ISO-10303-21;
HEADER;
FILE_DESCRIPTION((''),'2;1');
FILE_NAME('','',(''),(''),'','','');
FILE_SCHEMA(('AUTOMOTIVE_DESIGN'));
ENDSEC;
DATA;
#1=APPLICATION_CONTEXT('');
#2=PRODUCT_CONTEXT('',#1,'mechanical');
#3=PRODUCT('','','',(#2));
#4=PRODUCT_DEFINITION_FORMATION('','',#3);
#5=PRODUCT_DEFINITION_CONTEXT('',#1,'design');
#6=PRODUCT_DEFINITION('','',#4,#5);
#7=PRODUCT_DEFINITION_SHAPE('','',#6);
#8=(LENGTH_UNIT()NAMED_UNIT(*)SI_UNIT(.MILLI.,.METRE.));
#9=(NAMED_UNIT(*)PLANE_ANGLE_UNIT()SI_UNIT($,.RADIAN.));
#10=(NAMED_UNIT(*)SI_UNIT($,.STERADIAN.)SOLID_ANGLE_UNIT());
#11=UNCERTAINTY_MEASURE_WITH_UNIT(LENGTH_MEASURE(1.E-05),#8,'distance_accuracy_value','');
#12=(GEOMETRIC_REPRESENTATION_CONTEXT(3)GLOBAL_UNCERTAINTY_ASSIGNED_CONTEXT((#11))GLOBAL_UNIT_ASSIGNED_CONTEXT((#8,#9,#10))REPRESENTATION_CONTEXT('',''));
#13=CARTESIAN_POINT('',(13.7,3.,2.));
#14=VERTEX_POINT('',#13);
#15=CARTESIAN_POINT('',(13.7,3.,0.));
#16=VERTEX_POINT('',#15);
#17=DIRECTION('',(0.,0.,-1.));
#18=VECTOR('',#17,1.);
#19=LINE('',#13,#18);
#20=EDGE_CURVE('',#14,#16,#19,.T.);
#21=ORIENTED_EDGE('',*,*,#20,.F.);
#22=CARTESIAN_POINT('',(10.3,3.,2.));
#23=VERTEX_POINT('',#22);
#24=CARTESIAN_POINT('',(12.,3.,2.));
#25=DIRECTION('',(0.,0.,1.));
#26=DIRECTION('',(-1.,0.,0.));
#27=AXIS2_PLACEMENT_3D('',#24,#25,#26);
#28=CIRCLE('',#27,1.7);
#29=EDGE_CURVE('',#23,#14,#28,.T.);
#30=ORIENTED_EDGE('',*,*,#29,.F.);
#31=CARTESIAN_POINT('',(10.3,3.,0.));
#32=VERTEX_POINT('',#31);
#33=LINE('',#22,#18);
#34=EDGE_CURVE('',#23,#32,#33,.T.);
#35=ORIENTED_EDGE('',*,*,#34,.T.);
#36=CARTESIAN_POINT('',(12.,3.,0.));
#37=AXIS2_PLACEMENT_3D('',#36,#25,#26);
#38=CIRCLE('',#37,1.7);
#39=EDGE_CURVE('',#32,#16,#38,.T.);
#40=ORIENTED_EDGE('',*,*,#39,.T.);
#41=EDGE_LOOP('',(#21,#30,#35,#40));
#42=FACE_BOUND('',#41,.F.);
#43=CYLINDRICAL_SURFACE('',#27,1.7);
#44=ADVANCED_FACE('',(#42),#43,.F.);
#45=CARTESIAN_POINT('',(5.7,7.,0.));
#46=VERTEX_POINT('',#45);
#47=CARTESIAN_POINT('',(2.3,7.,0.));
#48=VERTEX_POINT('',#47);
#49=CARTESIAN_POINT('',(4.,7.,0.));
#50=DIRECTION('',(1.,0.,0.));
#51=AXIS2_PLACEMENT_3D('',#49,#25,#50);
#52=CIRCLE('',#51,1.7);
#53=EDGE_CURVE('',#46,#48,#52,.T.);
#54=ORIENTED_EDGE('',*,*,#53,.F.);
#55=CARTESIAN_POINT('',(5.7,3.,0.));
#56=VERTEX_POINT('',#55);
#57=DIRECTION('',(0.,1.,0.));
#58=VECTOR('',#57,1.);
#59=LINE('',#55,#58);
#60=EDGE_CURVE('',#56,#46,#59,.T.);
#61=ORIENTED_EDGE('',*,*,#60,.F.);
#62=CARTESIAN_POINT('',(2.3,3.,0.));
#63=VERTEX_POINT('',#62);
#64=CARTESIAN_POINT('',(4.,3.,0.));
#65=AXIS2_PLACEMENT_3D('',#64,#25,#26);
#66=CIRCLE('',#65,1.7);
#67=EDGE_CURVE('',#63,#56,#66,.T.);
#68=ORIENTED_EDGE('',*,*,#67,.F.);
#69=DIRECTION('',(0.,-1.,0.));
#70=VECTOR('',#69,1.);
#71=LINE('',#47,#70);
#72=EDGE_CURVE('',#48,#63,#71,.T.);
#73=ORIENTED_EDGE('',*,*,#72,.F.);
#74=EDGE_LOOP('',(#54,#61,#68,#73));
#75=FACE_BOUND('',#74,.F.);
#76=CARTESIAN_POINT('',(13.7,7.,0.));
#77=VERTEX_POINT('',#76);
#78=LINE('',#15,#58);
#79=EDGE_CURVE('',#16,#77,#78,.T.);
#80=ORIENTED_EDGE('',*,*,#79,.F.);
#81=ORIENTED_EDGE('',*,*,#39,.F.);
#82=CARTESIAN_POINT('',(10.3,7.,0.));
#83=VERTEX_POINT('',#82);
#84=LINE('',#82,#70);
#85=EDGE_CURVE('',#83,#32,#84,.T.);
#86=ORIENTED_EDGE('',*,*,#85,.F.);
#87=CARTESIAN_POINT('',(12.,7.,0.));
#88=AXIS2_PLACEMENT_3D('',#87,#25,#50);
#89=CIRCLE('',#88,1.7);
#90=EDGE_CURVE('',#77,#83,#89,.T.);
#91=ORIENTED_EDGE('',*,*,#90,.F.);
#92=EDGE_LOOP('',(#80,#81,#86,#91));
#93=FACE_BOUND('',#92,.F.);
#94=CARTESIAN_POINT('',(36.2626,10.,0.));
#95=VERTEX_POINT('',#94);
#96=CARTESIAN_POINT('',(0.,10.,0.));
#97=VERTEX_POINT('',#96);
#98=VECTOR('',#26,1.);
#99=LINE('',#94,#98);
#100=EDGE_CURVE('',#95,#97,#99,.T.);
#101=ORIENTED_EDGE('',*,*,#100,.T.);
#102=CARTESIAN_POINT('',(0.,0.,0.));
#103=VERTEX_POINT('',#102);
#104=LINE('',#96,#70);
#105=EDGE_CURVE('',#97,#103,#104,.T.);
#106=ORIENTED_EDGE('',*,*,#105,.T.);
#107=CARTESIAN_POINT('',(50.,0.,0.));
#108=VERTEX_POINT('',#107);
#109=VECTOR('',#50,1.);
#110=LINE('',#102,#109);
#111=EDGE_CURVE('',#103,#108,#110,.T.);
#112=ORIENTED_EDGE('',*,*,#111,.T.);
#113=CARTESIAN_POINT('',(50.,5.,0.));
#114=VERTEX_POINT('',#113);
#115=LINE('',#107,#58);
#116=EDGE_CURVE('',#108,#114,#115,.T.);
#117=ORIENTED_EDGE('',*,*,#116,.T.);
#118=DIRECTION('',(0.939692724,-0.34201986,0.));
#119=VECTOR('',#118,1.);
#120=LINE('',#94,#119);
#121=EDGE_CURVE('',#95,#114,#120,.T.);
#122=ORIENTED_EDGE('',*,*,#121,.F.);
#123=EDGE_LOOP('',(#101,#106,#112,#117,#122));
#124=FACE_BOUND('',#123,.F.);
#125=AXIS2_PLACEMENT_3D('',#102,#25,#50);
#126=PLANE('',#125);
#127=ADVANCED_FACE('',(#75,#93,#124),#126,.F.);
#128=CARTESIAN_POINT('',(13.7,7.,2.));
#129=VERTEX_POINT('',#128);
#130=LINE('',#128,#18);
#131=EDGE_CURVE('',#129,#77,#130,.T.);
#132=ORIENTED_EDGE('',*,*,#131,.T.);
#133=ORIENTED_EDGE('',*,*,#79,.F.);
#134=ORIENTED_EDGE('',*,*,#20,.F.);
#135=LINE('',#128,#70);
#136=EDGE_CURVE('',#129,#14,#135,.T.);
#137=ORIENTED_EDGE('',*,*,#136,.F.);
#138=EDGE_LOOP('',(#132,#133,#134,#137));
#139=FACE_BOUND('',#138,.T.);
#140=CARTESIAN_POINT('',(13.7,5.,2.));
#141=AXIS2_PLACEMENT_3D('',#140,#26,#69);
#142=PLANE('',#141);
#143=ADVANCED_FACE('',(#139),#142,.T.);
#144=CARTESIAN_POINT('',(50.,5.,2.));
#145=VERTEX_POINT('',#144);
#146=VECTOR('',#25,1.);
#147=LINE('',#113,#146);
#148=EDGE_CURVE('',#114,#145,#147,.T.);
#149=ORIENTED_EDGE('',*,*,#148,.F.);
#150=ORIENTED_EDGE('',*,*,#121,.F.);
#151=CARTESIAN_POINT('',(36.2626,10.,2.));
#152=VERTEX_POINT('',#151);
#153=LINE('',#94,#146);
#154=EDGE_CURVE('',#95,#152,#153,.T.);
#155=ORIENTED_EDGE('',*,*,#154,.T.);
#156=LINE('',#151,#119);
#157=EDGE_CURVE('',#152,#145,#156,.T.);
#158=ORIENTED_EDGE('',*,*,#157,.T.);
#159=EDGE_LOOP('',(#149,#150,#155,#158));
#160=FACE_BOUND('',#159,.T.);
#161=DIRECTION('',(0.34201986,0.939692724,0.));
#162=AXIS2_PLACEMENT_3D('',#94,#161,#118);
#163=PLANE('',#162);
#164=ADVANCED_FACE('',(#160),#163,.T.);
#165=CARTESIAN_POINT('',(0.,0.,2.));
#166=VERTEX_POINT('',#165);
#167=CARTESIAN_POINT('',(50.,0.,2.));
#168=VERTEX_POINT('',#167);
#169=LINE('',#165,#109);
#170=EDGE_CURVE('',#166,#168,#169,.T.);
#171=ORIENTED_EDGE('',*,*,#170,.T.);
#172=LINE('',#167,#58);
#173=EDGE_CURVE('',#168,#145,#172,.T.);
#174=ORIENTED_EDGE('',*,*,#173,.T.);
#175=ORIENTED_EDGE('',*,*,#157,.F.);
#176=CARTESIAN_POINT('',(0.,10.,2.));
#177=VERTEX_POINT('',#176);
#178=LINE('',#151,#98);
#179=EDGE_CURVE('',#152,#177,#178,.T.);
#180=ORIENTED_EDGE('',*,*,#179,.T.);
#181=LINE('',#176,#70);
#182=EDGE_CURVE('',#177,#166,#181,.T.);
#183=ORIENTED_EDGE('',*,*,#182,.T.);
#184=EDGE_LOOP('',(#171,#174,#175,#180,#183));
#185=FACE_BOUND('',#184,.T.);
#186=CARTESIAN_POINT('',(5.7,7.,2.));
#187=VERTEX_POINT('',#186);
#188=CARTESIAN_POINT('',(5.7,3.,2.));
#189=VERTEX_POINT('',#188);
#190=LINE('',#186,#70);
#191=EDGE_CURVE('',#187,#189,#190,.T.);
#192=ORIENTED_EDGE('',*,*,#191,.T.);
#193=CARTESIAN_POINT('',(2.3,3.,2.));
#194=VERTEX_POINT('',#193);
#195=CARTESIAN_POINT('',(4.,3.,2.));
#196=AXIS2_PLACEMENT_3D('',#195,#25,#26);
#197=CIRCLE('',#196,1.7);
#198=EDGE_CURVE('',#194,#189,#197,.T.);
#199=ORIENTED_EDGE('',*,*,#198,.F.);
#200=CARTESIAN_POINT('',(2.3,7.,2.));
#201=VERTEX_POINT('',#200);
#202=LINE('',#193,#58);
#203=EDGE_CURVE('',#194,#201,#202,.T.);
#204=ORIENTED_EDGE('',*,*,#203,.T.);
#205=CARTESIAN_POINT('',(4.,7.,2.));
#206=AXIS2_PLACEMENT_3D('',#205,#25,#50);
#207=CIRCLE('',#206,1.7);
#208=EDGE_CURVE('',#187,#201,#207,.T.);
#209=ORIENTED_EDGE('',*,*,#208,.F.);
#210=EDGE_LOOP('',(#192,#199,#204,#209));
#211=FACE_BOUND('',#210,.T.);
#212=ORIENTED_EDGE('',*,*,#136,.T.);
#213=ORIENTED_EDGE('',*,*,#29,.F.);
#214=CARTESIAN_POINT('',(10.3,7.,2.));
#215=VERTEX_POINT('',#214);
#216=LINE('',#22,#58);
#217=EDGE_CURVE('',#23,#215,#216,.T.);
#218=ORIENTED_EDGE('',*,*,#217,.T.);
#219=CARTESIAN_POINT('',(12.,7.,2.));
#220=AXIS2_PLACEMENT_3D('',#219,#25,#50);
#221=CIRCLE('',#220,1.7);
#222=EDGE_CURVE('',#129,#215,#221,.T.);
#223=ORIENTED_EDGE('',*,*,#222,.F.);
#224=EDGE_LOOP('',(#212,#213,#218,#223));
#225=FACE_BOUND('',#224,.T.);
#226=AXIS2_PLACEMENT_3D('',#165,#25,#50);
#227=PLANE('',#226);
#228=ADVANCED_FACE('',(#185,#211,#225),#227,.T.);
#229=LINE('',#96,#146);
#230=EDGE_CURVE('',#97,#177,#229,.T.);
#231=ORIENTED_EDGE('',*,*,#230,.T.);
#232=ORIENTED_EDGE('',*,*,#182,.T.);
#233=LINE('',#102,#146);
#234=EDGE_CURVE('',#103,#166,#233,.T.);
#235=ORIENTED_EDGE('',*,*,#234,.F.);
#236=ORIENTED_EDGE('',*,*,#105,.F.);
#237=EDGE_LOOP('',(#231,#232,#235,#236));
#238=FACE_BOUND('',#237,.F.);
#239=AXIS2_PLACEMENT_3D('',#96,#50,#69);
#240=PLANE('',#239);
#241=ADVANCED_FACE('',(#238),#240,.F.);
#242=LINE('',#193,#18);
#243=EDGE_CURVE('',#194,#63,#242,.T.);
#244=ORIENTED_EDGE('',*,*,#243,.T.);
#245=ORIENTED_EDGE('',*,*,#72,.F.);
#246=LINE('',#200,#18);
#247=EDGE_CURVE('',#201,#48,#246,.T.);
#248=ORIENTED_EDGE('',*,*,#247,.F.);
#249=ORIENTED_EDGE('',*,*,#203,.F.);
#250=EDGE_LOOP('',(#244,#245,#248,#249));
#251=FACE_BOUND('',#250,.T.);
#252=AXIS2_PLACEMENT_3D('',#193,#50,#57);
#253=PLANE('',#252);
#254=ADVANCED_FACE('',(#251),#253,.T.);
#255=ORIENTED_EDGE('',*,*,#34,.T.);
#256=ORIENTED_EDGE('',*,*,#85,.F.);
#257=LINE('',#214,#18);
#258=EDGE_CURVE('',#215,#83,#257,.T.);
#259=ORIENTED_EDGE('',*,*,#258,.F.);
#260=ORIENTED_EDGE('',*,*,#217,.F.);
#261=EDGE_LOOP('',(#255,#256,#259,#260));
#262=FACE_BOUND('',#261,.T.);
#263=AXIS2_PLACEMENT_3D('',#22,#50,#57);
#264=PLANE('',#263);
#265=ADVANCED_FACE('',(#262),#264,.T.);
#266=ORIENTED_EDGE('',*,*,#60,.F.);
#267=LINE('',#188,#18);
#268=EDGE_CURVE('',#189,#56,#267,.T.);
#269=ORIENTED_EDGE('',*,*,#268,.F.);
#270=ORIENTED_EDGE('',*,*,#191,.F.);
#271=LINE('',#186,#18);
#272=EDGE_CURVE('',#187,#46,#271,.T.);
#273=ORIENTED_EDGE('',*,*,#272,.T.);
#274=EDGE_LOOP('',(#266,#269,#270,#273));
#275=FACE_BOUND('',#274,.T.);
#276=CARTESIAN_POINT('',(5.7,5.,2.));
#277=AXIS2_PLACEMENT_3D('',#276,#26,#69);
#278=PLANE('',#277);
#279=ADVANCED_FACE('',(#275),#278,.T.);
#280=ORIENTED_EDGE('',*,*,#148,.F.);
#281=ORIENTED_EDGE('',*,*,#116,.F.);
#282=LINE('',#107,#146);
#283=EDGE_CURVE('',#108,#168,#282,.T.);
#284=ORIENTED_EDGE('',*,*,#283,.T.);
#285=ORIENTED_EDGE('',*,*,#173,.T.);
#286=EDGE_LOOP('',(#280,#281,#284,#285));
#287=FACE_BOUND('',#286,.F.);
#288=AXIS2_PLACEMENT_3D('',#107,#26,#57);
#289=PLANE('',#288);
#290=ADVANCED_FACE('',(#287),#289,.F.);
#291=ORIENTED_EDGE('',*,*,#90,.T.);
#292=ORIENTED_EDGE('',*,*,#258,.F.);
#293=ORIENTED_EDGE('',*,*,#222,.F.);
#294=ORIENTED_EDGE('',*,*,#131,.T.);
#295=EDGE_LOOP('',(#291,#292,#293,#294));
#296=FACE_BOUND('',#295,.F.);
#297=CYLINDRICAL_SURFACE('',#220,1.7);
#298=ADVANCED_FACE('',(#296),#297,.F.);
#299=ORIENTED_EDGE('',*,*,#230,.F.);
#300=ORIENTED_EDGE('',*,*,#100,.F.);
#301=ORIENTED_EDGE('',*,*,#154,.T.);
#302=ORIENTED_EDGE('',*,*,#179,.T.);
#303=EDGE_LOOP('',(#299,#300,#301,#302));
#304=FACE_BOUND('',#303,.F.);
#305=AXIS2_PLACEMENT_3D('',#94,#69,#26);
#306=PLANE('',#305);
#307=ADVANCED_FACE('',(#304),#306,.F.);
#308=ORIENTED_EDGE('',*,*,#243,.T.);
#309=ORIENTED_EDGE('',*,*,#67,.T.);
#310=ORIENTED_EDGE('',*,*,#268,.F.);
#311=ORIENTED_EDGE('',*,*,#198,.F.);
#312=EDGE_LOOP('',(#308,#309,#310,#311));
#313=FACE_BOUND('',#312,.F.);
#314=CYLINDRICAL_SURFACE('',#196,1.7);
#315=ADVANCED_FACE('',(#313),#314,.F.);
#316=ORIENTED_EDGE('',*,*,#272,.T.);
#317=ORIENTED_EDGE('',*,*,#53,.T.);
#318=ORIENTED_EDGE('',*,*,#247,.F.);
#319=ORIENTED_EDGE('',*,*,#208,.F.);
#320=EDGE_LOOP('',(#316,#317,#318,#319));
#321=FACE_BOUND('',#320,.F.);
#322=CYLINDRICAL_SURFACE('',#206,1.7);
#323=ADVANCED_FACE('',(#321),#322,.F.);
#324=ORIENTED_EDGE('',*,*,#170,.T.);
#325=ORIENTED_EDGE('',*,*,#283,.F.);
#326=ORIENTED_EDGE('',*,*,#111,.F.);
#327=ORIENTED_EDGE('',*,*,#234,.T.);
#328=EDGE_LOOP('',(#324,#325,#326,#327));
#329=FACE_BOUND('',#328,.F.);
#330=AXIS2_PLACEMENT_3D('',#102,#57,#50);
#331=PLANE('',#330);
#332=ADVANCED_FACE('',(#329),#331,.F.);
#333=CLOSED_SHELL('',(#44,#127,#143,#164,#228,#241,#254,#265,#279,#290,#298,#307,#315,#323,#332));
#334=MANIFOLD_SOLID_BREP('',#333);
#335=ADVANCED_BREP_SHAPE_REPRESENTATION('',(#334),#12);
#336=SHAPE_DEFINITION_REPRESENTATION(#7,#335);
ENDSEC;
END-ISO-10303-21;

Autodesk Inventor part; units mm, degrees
ref_plane "YZ Plane" through (0, 0, 0) normal (1, 0, 0) x (0, 1, 0)
ref_plane "XZ Plane" through (0, 0, 0) normal (0, 1, 0) x (-1, 0, 0)
ref_plane "XY Plane" through (0, 0, 0) normal (0, 0, 1) x (1, 0, 0)
sketch "Skizze1" plane through (0, 0, 0) normal (0, 0, 1) x (1, 0, 0)
  line L0 (0, 0) -> (50, 0)
  line L1 (50, 0) -> (50, 5)
  line L2 (36.2626, 10) -> (0, 10)
  line L3 (0, 10) -> (0, 0)
  line L4 (36.2626, 10) -> (50, 5)
  dimension "d0" = 10
  dimension "d1" = 50
  dimension "d2" = 5
  dimension "d5" = 20
extrude "Extrusion1" add sketch "Skizze1" along normal blind 2
sketch "Skizze2" plane through (0, 0, 2) normal (0, 0, 1) x (1, 0, 0)
  line L0 (0, 0) -> (0, 10) projected
  line L1 (0, 10) -> (36.2626, 10) projected
  line L2 (0, 5) -> (28.2614, 5)
  point P0 (4, 5)
  point P1 (12, 5)
  dimension "d8" = 4
  dimension "d9" = 8
hole "Bohrung1" at (4, 5, 2) at (12, 5, 2) direction (0, 0, -1) diameter 3.4 end through all
sketch "Skizze4" plane through (0, 0, 2) normal (0, 0, 1) x (1, 0, 0)
  circle A0 centre (4, 5) radius 1.7 projected
  line L0 (50, 0) -> (0, 0) projected
  line L1 (0, 10) -> (36.2626, 10) projected
  line L2 (5.7, 7) -> (5.7, 3)
  line L3 (2.3, 3) -> (2.3, 7)
  arc A1 (5.7, 7) -> (2.3, 7) centre (4, 7) ccw
  arc A2 (2.3, 3) -> (5.7, 3) centre (4, 3) ccw
  dimension "d17" = 3
  dimension "d18" = 3
  dimension "d19" = 4
extrude "Extrusion2" cut sketch "Skizze4" against normal through all contours L2 A2 L3 A0 | A0 L3 A1 L2
pattern_linear "Rechteckige Anordnung1" count 2 spacing 8 along (1, 0, 0) of "Extrusion2"
properties part number "13_0204_068"
